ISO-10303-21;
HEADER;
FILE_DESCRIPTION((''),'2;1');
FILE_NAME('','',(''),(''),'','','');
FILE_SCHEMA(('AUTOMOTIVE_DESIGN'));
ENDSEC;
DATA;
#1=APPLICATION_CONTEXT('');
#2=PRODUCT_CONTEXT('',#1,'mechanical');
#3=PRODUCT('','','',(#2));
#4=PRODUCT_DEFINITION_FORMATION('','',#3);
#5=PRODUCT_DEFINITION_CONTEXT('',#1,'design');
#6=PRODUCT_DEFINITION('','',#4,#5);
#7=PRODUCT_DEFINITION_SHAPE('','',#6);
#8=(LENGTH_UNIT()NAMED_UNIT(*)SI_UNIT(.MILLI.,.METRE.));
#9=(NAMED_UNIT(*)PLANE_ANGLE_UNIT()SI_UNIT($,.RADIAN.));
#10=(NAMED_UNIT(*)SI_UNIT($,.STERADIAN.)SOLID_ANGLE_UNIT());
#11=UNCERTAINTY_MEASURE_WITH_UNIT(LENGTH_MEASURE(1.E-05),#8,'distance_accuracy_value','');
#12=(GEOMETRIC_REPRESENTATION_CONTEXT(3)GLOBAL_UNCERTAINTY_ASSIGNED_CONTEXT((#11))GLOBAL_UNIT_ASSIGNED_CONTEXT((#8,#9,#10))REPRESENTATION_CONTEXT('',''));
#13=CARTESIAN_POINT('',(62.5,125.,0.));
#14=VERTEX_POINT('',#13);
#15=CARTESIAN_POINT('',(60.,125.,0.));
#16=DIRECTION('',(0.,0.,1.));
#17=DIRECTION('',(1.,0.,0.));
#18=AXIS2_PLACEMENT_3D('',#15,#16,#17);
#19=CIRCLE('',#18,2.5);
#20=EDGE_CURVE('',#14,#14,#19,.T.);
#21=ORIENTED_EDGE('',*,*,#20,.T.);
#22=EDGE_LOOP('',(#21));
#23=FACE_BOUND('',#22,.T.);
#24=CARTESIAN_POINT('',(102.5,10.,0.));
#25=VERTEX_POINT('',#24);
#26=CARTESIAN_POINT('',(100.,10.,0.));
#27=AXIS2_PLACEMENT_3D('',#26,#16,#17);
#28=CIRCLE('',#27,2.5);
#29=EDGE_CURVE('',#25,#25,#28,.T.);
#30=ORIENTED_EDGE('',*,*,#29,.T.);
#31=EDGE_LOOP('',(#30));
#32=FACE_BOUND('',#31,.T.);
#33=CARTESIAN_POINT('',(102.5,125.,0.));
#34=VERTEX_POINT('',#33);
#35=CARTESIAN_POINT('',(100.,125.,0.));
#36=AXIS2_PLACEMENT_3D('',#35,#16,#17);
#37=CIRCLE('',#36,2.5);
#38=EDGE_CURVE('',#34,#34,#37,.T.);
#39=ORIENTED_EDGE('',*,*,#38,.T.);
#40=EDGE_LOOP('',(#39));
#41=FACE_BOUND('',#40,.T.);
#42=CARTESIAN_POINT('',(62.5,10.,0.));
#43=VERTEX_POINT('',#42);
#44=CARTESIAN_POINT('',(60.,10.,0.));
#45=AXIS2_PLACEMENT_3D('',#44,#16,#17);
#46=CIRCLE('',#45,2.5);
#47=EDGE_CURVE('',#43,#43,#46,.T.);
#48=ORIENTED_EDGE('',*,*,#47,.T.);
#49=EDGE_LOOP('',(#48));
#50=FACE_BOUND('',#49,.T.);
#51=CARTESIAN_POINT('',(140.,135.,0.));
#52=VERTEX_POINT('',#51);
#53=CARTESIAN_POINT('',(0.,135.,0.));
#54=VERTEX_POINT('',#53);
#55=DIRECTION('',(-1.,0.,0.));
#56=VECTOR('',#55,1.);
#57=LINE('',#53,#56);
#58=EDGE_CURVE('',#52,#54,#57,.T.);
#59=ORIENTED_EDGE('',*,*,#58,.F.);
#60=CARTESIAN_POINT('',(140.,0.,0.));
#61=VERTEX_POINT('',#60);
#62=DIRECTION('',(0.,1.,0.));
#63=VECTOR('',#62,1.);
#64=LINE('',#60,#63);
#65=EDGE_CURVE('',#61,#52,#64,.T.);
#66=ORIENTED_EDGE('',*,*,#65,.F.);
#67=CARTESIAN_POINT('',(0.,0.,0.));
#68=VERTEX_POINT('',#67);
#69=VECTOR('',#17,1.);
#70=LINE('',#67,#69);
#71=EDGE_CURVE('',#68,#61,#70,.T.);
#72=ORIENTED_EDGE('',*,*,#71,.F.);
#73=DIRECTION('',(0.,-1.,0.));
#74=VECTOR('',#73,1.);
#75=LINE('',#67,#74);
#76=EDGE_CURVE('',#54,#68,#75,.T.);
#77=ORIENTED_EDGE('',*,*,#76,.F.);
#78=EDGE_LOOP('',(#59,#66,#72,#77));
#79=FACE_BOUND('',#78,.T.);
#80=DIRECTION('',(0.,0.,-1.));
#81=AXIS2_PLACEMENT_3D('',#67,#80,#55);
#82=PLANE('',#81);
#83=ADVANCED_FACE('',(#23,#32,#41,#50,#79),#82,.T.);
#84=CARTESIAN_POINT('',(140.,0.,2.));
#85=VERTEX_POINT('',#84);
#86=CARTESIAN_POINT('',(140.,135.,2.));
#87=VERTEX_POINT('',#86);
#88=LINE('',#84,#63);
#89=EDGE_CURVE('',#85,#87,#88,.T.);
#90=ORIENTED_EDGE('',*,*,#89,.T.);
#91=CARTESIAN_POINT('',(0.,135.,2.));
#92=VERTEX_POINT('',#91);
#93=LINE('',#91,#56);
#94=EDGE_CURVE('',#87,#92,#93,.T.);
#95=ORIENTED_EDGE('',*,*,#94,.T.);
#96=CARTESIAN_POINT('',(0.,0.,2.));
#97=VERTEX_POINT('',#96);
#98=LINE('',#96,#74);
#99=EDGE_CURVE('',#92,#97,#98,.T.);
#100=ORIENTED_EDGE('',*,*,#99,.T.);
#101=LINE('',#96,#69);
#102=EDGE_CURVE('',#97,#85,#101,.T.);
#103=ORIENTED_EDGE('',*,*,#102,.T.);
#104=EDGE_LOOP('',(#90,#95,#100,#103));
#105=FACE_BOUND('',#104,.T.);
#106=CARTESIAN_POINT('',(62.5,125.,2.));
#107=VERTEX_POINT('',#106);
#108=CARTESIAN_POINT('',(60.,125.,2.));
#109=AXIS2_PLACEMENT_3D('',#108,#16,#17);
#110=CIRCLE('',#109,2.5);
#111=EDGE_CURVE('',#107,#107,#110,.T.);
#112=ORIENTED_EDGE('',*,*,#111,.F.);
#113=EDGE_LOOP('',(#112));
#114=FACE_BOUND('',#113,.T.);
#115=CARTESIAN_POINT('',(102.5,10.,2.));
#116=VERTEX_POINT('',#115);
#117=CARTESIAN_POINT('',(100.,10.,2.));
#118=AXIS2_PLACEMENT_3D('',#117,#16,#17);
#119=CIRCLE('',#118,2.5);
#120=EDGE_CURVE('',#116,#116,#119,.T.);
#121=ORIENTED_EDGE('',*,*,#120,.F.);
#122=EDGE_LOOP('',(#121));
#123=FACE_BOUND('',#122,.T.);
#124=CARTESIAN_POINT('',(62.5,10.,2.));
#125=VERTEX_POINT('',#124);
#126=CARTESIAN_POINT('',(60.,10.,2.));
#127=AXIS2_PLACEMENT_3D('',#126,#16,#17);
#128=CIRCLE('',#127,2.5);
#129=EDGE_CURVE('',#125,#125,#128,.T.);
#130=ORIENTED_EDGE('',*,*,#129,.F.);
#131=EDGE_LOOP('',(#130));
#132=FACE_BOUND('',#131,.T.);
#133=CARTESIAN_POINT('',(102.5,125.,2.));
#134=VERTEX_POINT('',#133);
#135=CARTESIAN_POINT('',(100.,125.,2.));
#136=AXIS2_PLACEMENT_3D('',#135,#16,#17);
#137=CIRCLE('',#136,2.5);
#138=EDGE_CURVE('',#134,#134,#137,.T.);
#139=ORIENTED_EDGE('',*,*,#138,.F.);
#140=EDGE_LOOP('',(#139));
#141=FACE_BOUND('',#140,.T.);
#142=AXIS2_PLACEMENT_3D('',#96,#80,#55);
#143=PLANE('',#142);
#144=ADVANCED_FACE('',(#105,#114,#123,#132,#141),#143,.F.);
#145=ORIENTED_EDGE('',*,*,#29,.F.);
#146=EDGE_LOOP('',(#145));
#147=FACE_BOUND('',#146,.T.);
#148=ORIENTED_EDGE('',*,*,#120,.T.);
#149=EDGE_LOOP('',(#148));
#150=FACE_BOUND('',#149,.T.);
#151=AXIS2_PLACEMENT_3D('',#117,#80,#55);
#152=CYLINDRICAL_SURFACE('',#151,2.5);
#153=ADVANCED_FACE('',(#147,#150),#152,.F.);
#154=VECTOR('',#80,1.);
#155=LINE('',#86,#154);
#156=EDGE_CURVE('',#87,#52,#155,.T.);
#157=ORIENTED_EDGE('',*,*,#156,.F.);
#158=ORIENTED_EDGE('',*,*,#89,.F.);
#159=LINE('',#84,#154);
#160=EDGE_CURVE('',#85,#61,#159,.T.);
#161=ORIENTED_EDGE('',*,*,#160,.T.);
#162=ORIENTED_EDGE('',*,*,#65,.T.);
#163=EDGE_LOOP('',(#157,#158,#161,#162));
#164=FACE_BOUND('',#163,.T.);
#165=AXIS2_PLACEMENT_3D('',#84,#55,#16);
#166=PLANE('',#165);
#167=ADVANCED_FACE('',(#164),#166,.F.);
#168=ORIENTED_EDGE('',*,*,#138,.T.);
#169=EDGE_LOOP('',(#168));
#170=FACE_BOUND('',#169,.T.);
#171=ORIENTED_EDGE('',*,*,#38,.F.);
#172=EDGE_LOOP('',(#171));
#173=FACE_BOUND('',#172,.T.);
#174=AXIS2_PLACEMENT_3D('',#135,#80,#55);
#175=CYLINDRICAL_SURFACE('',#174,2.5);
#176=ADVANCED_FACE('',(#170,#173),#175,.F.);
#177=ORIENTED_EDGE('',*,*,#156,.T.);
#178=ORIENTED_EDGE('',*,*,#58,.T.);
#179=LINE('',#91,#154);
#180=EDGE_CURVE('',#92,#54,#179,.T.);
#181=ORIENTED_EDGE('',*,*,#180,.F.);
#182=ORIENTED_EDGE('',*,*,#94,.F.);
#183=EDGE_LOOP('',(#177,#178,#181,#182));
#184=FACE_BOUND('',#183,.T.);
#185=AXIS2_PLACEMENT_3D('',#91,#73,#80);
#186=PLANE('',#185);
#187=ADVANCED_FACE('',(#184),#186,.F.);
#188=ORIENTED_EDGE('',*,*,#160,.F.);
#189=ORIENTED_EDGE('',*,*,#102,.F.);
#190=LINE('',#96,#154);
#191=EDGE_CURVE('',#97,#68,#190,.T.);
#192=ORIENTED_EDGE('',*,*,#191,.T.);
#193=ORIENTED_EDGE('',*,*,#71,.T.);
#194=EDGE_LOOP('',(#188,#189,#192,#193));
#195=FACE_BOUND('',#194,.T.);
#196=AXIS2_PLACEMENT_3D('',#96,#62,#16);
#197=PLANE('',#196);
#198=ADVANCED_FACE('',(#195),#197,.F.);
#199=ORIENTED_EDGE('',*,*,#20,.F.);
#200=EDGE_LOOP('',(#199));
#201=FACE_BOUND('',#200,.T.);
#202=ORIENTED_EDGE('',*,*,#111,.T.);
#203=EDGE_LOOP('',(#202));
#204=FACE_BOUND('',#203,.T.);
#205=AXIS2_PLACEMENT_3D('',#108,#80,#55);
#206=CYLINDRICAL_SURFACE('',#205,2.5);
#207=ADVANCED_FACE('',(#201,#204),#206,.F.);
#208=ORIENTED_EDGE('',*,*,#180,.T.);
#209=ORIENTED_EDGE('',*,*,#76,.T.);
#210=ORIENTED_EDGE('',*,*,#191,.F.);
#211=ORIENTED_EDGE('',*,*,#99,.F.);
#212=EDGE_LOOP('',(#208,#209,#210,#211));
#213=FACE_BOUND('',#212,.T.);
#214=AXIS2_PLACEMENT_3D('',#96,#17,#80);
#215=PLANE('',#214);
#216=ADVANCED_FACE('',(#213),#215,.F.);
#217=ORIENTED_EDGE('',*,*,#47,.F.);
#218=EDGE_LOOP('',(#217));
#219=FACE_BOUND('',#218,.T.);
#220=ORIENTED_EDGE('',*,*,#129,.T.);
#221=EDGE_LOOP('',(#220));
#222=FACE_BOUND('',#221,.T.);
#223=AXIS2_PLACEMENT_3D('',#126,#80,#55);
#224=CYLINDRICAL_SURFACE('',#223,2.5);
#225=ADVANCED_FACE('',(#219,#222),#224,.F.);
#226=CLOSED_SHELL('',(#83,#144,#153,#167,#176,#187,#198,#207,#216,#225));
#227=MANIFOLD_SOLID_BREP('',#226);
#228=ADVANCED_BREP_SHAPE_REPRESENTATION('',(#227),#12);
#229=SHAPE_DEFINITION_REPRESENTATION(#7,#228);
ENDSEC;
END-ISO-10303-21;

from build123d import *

# Parameters (mm, degrees)
IZIM1_W                     = 140
IZIM1_H                     = 135
IZIM1_R                     = 2.5
Y_KSEKLIK_EKSTR_ZYON1_DEPTH = 2


with BuildPart() as part:
    # Çizim1 → Yükseklik-Ekstrüzyon1 (new body)
    with BuildSketch(Plane.XY):
        with Locations((70, 67.5)):
            Rectangle(IZIM1_W, IZIM1_H)
        with Locations((60, 125)):
            Circle(IZIM1_R, mode=Mode.SUBTRACT)
        with Locations((100, 125)):
            Circle(IZIM1_R, mode=Mode.SUBTRACT)
        with Locations((60, 10)):
            Circle(IZIM1_R, mode=Mode.SUBTRACT)
        with Locations((100, 10)):
            Circle(IZIM1_R, mode=Mode.SUBTRACT)
    extrude(amount=Y_KSEKLIK_EKSTR_ZYON1_DEPTH)


solid = part.part
